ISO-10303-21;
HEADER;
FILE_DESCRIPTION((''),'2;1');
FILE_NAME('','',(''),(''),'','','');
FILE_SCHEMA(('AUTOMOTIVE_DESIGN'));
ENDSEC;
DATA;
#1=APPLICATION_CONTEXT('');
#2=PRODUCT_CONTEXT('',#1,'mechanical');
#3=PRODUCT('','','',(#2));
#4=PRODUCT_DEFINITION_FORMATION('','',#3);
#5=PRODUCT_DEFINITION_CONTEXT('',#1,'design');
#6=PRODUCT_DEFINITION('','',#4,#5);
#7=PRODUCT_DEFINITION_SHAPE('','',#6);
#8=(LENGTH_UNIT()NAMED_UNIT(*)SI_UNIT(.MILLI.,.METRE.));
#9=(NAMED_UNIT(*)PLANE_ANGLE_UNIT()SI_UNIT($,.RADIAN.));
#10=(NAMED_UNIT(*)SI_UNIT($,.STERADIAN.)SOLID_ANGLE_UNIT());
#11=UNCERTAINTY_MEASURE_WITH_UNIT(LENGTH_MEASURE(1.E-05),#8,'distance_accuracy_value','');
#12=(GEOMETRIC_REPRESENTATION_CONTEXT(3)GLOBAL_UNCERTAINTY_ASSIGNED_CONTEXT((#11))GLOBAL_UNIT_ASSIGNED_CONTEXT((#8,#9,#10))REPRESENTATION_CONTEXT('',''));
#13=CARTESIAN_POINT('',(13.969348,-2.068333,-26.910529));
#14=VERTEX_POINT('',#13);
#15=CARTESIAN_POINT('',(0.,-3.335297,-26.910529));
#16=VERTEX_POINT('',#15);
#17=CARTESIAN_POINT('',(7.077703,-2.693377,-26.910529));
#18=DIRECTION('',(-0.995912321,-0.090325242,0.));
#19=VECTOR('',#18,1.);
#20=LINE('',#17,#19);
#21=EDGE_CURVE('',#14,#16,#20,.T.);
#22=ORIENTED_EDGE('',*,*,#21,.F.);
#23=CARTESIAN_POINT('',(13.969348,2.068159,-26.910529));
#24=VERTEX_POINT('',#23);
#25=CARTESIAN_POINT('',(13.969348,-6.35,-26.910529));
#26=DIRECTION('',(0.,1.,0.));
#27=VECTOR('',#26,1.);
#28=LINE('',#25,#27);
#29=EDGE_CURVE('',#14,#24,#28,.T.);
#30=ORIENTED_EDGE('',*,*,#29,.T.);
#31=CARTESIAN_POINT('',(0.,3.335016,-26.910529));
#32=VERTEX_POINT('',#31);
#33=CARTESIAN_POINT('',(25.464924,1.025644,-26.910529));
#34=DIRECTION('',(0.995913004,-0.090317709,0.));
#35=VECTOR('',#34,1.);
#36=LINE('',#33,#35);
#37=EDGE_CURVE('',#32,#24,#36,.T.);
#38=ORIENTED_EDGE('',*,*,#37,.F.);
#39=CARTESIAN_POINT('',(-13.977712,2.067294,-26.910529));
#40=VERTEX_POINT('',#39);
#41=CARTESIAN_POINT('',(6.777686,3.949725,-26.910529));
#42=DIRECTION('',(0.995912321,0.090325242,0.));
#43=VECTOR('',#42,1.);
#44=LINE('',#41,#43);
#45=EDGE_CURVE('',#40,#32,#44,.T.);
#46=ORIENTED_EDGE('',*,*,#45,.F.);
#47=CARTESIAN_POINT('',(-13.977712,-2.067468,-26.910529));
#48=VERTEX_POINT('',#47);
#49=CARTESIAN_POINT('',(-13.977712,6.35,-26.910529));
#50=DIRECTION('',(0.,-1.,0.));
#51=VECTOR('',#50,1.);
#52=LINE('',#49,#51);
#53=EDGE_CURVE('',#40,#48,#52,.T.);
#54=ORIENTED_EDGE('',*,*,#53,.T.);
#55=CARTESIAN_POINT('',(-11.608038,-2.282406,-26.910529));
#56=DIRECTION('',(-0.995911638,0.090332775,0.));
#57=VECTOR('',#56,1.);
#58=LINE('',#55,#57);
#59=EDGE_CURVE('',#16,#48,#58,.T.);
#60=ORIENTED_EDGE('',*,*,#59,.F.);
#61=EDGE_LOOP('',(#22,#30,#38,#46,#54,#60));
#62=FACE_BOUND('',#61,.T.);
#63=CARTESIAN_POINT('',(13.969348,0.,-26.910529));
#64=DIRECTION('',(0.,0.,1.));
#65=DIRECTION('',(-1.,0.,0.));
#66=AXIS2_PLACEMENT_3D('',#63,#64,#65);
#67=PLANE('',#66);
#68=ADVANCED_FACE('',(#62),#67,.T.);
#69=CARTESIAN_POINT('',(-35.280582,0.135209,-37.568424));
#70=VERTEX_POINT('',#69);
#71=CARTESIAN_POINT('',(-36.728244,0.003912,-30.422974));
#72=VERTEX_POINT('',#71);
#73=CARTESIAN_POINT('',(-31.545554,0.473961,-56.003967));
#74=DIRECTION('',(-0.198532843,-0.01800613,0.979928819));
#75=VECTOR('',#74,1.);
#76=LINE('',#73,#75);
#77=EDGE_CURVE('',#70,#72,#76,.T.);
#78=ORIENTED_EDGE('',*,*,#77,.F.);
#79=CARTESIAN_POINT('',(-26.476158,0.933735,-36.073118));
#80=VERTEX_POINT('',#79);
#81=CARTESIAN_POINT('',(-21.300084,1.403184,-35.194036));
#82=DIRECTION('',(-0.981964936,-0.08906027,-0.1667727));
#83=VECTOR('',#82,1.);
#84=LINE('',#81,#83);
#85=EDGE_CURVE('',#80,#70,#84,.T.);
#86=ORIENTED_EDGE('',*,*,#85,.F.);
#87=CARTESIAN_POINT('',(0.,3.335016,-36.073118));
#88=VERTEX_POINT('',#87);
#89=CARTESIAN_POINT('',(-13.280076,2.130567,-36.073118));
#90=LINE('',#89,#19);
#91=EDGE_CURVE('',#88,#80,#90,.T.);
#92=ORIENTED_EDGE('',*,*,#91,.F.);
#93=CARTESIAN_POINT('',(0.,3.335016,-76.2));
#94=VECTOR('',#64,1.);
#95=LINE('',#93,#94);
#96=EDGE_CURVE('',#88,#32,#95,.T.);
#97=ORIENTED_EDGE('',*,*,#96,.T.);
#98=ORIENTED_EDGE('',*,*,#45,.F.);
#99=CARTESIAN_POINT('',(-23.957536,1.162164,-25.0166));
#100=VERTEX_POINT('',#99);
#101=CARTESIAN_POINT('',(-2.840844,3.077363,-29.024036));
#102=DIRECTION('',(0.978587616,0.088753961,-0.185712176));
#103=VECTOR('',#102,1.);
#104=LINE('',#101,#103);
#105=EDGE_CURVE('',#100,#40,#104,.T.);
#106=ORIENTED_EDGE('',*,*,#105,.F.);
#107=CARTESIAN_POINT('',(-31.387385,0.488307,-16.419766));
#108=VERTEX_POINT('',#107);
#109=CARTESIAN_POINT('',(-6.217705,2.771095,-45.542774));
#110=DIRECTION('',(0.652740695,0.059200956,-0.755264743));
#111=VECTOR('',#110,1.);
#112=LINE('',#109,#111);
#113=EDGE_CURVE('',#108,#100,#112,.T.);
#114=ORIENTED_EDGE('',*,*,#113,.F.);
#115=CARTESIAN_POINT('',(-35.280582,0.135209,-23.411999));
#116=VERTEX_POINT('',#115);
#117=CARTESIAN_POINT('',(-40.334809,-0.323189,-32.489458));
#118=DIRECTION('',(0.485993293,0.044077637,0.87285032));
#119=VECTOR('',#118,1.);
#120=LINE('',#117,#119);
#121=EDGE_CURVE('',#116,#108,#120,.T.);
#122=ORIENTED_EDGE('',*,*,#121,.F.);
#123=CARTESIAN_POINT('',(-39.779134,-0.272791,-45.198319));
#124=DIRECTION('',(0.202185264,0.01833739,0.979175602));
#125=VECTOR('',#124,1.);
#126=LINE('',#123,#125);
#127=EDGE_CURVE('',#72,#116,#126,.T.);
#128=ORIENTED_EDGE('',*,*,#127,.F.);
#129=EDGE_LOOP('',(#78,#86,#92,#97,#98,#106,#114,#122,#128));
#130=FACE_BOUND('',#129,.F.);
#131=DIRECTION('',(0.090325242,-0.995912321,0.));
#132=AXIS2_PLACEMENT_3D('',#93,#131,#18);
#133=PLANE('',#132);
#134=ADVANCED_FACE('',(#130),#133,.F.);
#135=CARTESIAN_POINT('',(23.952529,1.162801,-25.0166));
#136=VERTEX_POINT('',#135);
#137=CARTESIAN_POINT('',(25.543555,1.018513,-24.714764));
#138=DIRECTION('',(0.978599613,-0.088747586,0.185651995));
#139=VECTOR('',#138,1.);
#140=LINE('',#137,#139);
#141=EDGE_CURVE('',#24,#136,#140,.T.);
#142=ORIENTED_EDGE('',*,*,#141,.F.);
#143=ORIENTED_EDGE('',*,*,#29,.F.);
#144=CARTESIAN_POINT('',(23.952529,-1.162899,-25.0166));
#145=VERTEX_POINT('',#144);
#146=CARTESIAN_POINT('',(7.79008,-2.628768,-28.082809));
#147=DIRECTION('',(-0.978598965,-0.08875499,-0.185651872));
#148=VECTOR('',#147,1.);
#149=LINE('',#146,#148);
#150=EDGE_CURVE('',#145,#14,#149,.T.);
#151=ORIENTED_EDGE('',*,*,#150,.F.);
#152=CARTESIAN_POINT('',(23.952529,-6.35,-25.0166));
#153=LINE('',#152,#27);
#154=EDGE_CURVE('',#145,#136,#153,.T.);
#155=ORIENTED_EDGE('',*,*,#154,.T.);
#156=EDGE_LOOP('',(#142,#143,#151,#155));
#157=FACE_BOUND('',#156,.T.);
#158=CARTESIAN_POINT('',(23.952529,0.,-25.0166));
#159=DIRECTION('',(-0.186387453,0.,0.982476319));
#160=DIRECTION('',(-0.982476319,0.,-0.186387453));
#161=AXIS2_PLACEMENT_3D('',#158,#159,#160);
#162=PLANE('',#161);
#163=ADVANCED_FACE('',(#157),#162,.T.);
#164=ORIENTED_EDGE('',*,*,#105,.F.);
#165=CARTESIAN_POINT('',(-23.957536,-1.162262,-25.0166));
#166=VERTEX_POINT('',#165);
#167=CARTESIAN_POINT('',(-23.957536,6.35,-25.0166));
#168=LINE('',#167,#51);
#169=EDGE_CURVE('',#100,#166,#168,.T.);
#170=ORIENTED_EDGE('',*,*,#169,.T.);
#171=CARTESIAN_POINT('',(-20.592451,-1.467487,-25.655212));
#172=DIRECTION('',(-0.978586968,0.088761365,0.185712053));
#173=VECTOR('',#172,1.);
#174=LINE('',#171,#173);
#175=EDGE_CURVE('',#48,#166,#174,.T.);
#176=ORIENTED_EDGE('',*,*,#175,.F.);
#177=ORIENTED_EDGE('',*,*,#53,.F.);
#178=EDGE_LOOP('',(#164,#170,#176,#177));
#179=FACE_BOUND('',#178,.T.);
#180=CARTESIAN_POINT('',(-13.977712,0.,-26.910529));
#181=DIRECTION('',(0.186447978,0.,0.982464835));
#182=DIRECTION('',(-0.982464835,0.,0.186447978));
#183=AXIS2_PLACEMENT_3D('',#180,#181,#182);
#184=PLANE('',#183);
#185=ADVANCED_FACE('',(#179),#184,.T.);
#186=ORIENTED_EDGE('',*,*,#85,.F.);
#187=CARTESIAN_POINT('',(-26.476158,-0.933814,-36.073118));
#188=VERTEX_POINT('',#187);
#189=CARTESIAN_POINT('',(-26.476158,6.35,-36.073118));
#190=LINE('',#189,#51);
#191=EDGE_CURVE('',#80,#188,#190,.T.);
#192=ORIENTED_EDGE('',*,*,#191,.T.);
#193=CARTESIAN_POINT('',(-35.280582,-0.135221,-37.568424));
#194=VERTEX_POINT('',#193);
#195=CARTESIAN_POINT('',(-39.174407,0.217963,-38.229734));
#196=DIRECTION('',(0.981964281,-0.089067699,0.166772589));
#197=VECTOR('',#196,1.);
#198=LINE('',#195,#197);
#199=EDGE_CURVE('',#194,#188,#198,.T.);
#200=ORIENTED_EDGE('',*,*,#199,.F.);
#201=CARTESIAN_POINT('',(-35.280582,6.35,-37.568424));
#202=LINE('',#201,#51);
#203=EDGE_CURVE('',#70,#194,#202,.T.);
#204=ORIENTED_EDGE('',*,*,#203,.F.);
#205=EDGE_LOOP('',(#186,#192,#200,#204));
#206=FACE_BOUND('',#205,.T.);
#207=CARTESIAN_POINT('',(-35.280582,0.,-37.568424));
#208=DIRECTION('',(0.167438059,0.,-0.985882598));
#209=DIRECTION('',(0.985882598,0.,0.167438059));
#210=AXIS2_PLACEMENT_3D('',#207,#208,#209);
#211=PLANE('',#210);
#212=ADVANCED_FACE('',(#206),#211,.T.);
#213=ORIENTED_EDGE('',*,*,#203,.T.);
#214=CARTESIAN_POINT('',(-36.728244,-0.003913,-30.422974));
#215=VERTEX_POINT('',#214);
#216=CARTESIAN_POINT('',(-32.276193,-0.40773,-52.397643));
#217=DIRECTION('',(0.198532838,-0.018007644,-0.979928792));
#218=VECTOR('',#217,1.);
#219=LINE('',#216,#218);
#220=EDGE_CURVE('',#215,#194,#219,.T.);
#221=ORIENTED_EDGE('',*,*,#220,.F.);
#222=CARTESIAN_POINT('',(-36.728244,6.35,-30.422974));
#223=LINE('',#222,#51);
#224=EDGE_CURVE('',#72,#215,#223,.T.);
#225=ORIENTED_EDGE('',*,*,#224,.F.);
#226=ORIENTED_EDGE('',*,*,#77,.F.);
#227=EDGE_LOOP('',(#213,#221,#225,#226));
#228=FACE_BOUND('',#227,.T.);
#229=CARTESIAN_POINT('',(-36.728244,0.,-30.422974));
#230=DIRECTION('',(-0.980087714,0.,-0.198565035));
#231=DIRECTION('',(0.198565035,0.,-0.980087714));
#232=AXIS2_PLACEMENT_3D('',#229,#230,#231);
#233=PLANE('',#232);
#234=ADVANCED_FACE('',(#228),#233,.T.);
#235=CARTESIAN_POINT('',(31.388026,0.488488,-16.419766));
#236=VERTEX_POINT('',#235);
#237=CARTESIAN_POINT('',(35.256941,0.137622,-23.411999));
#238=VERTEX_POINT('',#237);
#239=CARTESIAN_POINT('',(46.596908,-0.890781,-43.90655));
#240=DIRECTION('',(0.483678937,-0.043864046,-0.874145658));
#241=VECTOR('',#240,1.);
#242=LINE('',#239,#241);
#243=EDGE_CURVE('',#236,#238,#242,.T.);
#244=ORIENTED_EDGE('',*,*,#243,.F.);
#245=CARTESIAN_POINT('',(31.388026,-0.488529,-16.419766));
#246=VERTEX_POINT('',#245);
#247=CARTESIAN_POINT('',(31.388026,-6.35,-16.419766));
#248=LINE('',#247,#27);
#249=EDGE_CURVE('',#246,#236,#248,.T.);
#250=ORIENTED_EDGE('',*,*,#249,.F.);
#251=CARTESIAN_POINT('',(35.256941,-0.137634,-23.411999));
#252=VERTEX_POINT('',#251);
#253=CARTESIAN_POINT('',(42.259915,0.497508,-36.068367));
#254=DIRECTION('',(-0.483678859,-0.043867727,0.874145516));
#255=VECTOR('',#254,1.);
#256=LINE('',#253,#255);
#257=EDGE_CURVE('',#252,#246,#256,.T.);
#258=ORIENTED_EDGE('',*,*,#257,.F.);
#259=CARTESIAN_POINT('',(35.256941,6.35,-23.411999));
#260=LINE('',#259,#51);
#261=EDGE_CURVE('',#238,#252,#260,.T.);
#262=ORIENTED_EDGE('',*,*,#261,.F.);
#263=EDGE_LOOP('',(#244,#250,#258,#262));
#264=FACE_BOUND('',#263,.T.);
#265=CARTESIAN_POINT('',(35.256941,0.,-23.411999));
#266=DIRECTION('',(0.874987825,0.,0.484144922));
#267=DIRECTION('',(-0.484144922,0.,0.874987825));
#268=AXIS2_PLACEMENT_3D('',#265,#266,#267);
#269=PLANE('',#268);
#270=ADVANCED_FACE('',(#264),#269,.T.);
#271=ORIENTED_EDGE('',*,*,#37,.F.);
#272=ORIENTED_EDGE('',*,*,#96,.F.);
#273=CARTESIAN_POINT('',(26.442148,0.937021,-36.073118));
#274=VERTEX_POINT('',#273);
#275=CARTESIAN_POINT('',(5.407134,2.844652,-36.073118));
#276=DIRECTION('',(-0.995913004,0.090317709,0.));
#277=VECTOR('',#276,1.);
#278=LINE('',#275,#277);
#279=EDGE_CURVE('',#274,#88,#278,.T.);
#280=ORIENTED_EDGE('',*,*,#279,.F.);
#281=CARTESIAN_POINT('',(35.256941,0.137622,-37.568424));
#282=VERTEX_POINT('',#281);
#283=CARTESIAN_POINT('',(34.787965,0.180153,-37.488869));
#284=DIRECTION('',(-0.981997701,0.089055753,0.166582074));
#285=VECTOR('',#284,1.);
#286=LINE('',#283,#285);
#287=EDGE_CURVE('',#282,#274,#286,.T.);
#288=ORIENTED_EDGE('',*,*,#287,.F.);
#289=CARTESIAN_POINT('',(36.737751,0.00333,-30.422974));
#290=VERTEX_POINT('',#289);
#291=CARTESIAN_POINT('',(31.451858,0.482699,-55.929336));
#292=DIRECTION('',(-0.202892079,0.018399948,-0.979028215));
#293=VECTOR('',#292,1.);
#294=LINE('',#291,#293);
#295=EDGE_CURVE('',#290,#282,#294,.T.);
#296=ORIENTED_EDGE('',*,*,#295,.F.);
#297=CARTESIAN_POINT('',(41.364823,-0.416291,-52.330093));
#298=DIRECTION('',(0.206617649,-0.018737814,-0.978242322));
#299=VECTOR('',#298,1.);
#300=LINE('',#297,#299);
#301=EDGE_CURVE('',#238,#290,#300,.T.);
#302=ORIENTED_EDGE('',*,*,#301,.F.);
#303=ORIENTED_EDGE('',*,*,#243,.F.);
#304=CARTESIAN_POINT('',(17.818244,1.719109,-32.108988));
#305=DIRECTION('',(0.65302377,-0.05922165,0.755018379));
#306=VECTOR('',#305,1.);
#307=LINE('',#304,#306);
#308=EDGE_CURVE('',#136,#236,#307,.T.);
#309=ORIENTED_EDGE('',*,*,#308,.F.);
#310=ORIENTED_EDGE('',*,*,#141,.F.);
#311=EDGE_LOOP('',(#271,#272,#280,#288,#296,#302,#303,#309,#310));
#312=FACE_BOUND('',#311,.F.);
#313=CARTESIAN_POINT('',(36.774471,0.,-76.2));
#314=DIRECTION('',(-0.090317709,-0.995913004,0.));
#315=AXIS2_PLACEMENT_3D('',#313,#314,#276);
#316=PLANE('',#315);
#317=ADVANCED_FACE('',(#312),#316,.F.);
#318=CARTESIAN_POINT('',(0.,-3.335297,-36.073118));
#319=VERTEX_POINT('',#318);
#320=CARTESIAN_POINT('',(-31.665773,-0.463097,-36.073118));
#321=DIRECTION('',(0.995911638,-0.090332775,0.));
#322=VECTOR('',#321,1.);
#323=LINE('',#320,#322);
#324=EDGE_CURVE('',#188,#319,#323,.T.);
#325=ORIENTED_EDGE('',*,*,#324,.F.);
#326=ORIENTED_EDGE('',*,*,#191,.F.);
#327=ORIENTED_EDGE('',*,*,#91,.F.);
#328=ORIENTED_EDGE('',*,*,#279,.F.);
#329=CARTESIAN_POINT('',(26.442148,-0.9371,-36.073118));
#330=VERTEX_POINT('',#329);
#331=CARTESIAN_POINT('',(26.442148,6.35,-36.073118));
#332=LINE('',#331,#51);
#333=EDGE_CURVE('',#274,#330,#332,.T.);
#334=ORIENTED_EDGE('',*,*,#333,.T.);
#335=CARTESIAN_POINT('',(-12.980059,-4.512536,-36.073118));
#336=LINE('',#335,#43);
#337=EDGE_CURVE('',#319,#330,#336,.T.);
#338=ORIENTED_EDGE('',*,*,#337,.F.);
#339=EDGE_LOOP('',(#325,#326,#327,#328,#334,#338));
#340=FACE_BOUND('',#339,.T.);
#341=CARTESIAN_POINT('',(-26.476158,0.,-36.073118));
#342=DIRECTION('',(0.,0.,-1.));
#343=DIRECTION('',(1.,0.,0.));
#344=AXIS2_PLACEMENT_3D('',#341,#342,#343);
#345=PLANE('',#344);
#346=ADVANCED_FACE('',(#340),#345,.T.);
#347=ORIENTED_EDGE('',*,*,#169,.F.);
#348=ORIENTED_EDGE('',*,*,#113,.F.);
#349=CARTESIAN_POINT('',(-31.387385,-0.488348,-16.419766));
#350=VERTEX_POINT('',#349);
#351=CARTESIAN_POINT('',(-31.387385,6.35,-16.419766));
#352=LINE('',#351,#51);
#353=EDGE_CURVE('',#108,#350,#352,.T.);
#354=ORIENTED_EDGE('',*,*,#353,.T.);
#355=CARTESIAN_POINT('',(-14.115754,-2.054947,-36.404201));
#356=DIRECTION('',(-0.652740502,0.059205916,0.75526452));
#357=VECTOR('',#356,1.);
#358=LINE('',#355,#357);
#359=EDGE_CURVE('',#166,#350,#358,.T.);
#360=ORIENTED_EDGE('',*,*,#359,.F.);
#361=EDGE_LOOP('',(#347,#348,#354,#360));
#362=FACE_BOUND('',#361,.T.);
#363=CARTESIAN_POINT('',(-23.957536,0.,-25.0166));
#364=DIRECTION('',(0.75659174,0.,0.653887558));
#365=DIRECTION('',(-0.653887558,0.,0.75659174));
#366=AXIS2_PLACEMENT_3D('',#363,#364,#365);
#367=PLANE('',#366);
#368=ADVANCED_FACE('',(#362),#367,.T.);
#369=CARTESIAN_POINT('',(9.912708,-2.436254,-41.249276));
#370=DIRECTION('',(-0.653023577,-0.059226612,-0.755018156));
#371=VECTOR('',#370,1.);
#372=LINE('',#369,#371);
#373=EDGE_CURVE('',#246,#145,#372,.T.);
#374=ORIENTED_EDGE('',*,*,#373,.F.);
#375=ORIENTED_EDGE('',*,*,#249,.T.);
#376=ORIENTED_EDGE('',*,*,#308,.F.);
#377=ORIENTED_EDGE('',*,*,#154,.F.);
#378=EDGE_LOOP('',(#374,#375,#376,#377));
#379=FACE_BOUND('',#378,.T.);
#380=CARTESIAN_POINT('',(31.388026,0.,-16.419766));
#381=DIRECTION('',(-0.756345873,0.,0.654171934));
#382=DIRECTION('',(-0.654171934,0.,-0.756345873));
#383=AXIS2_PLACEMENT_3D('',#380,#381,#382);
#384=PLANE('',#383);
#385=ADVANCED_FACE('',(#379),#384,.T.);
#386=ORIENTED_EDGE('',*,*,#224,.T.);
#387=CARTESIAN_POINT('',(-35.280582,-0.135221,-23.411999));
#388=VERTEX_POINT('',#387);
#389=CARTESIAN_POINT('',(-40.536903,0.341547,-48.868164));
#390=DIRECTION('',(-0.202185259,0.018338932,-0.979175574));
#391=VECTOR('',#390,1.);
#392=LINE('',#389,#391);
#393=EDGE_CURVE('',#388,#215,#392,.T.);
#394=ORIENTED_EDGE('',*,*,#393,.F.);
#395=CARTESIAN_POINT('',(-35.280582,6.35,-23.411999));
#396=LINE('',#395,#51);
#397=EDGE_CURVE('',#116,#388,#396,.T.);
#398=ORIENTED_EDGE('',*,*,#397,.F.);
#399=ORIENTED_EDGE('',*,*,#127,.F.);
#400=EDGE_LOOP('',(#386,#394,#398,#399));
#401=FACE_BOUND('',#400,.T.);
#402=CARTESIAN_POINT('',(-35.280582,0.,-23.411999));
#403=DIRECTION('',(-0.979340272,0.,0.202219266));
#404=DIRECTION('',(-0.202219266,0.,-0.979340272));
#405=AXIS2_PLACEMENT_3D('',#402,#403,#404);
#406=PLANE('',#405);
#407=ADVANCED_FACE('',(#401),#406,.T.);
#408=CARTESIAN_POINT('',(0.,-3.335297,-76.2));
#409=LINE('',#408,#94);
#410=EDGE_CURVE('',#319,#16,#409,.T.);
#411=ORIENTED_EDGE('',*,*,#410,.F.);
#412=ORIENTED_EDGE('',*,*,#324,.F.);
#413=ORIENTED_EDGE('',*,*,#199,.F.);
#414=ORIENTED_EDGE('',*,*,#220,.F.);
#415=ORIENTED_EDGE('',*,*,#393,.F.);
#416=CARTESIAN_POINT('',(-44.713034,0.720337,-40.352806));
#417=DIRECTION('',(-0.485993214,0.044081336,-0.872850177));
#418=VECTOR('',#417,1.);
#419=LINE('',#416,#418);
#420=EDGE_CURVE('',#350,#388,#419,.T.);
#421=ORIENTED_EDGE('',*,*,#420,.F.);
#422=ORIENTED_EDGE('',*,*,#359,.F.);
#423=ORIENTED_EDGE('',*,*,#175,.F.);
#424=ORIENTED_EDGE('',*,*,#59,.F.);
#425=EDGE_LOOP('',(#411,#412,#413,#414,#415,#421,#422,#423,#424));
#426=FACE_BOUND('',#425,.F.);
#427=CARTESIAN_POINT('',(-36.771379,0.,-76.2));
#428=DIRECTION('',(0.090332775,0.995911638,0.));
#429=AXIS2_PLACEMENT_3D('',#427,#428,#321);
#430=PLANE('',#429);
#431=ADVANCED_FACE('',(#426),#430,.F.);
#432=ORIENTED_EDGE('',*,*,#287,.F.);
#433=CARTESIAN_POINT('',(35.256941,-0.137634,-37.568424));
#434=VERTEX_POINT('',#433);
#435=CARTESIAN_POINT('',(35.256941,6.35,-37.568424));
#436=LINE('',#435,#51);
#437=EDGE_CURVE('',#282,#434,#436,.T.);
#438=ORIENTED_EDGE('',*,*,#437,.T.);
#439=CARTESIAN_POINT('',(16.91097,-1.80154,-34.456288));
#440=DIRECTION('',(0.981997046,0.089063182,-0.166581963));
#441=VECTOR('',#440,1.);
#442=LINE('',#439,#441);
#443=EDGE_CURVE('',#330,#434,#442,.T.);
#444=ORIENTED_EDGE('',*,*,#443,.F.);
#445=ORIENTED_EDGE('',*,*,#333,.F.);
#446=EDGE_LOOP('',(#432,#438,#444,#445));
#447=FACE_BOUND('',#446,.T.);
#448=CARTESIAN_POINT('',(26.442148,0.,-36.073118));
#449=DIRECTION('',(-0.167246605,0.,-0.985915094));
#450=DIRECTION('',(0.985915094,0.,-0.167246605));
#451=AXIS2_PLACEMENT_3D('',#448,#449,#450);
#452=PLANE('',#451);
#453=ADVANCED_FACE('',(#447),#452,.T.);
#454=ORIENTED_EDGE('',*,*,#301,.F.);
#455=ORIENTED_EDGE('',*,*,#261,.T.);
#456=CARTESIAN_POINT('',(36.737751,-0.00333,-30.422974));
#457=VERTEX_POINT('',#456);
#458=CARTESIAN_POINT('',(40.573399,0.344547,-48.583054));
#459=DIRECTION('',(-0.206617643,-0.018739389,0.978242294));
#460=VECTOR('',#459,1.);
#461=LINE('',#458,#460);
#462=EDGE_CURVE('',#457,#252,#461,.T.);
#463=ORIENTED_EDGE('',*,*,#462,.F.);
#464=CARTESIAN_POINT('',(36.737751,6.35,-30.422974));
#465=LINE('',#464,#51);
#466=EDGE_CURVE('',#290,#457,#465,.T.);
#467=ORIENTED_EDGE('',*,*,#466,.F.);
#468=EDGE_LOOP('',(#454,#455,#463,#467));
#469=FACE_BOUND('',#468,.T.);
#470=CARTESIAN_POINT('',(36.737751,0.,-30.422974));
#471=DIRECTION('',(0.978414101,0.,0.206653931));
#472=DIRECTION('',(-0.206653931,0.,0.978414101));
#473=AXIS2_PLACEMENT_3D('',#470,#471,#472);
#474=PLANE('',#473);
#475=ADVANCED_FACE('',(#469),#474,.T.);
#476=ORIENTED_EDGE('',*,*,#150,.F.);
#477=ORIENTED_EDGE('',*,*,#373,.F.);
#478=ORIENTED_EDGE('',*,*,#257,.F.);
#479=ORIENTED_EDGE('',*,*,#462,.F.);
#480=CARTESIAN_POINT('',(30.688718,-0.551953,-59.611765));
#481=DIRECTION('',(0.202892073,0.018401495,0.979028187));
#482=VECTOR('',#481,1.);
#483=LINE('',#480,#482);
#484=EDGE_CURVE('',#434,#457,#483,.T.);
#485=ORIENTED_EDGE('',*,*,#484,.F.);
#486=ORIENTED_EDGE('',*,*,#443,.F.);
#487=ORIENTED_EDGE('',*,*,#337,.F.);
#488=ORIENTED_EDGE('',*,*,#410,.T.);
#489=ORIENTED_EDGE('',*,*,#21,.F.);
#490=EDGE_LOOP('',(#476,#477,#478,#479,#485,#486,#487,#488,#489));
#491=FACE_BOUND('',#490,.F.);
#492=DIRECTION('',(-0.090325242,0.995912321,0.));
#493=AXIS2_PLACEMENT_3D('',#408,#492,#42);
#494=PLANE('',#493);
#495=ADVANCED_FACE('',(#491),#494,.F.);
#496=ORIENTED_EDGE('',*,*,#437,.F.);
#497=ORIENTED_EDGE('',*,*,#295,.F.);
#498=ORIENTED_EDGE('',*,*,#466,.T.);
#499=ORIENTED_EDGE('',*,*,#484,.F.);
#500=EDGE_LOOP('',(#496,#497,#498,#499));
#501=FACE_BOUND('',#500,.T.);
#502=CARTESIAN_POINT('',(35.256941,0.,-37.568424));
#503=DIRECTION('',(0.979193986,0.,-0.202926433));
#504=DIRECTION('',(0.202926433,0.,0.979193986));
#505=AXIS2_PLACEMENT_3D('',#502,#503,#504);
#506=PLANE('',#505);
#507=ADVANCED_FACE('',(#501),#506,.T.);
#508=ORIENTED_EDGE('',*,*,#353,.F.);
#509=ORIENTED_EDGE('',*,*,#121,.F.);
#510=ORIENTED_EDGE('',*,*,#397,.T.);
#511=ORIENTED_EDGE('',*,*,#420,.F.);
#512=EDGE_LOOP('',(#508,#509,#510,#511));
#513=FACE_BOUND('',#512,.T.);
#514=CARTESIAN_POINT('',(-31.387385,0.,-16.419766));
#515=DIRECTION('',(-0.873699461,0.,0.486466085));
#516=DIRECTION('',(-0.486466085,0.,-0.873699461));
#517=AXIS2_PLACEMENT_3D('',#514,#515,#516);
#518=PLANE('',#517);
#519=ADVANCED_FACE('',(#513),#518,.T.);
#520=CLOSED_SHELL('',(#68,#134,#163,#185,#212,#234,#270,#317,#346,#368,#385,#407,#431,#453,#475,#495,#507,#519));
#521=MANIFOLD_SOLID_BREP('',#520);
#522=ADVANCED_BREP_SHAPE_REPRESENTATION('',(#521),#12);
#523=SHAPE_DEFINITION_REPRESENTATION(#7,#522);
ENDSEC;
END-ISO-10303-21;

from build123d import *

# Parameters (mm, degrees)
F1_DEPTH = 6.35
F2_DEPTH = 6.35
F3_W     = 41.3920721039
F3_H     = 19.1692784429
F4_DEPTH = 25.4
F5_DEPTH = 76.2
F6_W     = 87.5323042274
F6_H     = 20.6641275436
F7_DEPTH = 1270
F8_DEPTH = 127


with BuildPart() as f1:
    # F0 (on Front) → F1 (new body)
    with BuildSketch(Plane.XZ):
        Polygon((13.9693478122, -26.9105285406), (0, -26.9105285406), (-13.9777120203, -26.9105285406), (-23.9575356245, -25.0166002661), (-31.3873849809, -16.4197664708), (-35.2805815637, -23.4119985253), (-36.7282442749, -30.4229743779), (-35.2805815637, -37.568423897), (-26.4761578292, -36.0731184483), (26.4421477914, -36.0731184483), (35.2569408715, -37.568423897), (36.7377512157, -30.4229743779), (35.2569408715, -23.4119985253), (31.3880257308, -16.4197664708), (23.9525288343, -25.0166002661), align=None)
    extrude(amount=F1_DEPTH)

    # F2 (add): a face of the model
    f2_faces = [f1.faces().sort_by_distance(p)[0] for p in [
        (-0.0050105125, 0, -30.0017701646),
    ]]
    extrude(f2_faces, amount=F2_DEPTH)

    # F6 (on face) → F7 (cut)
    with BuildSketch(Plane(origin=(0, 0, -76.2), x_dir=(1, 0, 0), z_dir=(0, 0, -1))):
        with Locations((-0.8414760232, -1.1486634612)):
            Rectangle(F6_W, F6_H)
        Polygon((0, 3.335296642), (36.7744714022, 0), (0, -3.3350162109), (-36.7713794112, 0), align=None, mode=Mode.SUBTRACT)
    extrude(amount=-F7_DEPTH, mode=Mode.SUBTRACT)


with BuildPart() as f4:
    # F3 (on Top) → F4 (new body)
    with BuildSketch(Plane.XY):
        with Locations((5.1154219545, -48.7104393542)):
            Rectangle(F3_W, F3_H)
    extrude(amount=F4_DEPTH)

    # F5 (add): a face of the model
    f5_faces = [f4.faces().sort_by_distance(p)[0] for p in [
        (5.1154219545, -48.7104393542, 0),
    ]]
    extrude(f5_faces, amount=F5_DEPTH)

    # F8 (cut): a face of the model
    f8_faces = [f4.faces().sort_by_distance(p)[0] for p in [
        (5.1154219545, -48.7104393542, -76.2),
    ]]
    extrude(f8_faces, amount=-F8_DEPTH, mode=Mode.SUBTRACT)


solid = f1.part
